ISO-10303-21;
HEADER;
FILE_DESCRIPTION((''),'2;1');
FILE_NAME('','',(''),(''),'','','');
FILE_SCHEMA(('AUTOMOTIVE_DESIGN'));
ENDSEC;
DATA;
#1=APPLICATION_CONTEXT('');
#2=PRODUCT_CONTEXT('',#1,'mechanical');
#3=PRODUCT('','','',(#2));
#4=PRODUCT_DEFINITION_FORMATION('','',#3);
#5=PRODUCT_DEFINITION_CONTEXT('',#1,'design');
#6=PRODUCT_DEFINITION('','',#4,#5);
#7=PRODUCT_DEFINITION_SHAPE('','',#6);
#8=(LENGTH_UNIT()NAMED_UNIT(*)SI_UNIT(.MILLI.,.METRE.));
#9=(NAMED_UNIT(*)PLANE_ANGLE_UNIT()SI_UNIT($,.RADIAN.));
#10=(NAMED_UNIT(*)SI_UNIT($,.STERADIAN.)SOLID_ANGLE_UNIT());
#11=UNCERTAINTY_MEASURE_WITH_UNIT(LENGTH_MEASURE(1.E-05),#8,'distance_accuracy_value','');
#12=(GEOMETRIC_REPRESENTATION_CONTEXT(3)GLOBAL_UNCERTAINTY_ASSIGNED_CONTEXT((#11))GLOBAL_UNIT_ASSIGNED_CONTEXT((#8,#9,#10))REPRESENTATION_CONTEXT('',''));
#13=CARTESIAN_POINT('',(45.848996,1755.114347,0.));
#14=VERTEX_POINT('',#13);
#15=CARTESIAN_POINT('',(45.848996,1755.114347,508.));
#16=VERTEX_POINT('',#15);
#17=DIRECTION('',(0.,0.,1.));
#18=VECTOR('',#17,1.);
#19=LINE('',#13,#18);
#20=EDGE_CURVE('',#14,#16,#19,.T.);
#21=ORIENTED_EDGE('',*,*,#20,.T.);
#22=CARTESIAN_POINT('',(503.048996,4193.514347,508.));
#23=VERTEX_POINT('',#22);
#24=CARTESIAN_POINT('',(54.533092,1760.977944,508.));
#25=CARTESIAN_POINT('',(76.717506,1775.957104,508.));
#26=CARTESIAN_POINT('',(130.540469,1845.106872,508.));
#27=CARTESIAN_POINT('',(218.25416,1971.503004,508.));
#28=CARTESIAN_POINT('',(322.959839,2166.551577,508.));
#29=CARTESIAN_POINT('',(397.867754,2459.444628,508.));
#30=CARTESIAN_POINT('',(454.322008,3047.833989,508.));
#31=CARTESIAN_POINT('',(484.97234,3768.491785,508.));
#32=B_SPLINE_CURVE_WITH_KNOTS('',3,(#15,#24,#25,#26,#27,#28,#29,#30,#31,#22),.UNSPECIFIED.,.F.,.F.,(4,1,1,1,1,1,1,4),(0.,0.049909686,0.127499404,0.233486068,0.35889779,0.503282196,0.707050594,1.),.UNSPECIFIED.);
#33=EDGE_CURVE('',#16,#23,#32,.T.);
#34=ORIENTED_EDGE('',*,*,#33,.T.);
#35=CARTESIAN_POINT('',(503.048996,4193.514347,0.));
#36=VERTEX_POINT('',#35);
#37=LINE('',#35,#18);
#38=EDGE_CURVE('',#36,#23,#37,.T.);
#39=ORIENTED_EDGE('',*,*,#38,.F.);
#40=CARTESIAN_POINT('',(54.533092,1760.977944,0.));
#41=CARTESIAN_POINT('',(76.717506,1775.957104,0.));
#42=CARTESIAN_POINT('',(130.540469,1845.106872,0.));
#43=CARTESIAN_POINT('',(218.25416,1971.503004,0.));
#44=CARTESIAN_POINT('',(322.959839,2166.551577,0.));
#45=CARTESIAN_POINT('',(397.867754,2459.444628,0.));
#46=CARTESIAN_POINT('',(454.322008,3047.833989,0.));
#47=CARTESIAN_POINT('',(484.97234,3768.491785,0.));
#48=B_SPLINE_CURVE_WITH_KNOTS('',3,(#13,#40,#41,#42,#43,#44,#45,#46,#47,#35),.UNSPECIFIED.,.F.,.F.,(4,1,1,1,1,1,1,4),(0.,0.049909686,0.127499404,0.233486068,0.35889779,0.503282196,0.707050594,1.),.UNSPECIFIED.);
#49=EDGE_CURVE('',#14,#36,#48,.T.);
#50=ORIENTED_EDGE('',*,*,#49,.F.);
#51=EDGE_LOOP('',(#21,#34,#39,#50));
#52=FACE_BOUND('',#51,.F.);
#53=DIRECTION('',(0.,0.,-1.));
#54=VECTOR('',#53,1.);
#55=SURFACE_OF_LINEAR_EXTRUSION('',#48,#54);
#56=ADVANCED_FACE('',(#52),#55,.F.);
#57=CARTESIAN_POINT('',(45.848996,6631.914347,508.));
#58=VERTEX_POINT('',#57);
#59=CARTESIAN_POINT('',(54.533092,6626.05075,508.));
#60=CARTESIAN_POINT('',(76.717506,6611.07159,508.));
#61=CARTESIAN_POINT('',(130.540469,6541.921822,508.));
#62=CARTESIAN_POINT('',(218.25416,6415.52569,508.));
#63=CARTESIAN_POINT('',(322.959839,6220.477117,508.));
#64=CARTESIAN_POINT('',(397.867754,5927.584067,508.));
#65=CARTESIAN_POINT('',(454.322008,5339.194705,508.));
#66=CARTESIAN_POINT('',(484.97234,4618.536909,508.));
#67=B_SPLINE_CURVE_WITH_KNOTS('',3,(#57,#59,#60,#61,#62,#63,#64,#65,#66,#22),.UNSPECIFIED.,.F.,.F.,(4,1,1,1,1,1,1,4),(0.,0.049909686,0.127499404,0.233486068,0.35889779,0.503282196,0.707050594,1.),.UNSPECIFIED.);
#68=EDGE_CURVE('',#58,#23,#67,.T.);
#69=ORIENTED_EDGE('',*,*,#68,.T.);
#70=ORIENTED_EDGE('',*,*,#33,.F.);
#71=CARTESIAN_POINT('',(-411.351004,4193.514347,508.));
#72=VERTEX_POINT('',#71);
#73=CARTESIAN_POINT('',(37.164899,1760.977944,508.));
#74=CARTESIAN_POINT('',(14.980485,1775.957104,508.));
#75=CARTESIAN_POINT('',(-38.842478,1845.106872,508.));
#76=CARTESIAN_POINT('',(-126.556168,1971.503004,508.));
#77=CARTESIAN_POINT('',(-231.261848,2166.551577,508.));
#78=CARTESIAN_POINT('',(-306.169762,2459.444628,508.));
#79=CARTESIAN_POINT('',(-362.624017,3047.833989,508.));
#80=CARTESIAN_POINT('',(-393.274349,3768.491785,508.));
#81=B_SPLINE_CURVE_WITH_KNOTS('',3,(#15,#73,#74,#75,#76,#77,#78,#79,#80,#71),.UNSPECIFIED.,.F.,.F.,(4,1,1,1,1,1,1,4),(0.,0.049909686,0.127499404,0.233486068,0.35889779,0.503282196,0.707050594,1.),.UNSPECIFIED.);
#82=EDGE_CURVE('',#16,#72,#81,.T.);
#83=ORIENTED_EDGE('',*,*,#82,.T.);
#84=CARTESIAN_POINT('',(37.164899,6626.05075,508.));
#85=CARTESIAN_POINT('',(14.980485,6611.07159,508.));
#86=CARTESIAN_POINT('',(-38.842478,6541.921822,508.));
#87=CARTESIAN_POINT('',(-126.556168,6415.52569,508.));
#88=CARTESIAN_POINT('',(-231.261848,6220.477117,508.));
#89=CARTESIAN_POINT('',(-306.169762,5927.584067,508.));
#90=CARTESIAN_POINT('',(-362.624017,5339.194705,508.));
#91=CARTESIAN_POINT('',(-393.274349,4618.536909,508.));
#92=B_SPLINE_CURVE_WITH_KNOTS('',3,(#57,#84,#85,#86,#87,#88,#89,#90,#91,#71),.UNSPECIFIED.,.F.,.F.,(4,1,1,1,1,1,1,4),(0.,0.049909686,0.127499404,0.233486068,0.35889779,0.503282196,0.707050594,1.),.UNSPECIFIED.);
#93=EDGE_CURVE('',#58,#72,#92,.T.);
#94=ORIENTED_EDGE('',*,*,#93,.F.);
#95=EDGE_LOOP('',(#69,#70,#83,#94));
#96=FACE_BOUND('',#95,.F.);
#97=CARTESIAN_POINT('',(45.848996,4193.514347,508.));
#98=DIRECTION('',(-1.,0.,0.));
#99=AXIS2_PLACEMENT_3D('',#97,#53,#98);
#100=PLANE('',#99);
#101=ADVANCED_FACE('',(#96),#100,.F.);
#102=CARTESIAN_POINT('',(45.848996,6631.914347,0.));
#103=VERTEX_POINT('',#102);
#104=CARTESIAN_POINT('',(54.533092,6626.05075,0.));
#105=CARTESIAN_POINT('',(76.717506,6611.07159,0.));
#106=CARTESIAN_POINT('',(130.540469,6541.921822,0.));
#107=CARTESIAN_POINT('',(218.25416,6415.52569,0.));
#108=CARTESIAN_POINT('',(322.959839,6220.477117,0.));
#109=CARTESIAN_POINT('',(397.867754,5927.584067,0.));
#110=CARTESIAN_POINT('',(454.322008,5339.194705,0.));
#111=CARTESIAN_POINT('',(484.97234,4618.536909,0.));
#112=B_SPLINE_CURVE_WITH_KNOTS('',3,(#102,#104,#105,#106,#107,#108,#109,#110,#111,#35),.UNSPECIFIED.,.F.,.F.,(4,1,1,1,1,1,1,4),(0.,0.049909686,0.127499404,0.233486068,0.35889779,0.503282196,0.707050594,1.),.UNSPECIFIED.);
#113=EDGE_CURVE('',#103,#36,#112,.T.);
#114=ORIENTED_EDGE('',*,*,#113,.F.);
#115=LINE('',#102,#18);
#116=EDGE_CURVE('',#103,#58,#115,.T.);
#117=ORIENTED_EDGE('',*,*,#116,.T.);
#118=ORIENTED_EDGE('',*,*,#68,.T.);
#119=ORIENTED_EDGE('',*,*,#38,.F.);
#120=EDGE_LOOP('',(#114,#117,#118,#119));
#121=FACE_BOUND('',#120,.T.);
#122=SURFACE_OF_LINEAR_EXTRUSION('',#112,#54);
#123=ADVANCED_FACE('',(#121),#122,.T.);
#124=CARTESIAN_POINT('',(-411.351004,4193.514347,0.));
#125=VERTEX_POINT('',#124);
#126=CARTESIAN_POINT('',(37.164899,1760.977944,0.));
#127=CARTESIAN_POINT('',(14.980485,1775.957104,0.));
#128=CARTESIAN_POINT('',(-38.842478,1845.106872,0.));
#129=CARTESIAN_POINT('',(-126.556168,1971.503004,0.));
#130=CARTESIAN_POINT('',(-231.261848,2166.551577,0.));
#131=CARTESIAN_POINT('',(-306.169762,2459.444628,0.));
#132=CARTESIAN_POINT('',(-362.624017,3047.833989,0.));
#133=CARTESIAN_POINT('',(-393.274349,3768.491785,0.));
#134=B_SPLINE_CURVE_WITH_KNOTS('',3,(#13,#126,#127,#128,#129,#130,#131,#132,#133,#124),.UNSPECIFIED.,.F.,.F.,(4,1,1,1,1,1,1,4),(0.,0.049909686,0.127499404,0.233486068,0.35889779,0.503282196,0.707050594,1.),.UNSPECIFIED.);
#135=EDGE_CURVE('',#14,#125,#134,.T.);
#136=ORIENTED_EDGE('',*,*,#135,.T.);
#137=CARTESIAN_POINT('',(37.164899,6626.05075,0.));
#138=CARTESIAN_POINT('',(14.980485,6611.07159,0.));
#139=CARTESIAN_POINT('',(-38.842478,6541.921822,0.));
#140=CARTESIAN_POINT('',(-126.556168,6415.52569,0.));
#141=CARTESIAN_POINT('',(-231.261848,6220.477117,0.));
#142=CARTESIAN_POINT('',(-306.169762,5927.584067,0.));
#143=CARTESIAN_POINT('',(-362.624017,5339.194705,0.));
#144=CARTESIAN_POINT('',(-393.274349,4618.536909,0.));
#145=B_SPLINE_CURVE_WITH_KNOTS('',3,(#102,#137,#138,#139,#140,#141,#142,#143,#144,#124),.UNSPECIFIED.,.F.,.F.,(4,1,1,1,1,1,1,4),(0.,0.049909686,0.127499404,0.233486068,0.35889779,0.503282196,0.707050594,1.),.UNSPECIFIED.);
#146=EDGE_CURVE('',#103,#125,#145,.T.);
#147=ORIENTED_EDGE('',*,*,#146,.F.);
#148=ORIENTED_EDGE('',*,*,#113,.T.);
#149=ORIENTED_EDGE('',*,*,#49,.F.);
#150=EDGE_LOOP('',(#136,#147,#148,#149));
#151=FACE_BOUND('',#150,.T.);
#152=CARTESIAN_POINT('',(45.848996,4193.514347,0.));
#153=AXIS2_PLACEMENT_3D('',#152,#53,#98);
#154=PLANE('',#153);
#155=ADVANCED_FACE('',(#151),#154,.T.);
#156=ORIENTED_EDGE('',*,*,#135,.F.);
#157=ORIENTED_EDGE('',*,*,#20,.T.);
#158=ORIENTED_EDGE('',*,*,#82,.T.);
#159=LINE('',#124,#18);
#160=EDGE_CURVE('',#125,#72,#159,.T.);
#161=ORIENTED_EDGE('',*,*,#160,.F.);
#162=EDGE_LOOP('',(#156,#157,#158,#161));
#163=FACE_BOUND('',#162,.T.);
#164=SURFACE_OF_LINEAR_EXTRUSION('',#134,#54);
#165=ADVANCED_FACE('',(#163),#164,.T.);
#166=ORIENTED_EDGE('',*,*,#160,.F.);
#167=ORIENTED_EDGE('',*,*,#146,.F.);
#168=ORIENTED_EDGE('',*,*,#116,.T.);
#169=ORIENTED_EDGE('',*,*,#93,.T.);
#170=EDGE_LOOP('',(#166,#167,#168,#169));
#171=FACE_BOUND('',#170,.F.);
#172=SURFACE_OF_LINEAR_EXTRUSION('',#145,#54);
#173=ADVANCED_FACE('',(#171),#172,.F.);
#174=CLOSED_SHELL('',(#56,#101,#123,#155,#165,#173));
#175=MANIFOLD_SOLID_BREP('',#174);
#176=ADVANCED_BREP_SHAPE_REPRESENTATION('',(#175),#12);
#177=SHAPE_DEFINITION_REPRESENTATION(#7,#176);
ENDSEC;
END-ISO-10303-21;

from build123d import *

# Parameters (mm, degrees)
F1_DEPTH = 508


with BuildPart() as f1:
    # F0 (on Top) → F1 (new body)
    with BuildSketch(Plane.XY):
        with BuildLine():
            add(Edge.make_bspline(
                [(45.8489955951, 6631.9143470764), (54.5330922301, 6626.050749809), (76.7175061698, 6611.0715902689), (130.5404693293, 6541.9218219737), (218.2541596105, 6415.5256902784), (322.9598386957, 6220.4771171922), (397.8677535598, 5927.5840665674), (454.3220083661, 5339.1947052417), (484.972340268, 4618.5369090549), (503.0489955951, 4193.5143470764)],
                knots=[0, 0, 0, 0, 0.0499096863, 0.1274994036, 0.2334860676, 0.3588977899, 0.5032821963, 0.7070505937, 1, 1, 1, 1], degree=3))
            add(Edge.make_bspline(
                [(45.8489955951, 6631.9143470764), (37.1648989601, 6626.050749809), (14.9804850204, 6611.0715902689), (-38.8424781392, 6541.9218219737), (-126.5561684204, 6415.5256902784), (-231.2618475055, 6220.4771171922), (-306.1697623696, 5927.5840665674), (-362.624017176, 5339.1947052417), (-393.2743490778, 4618.5369090549), (-411.3510044049, 4193.5143470764)],
                knots=[0, 0, 0, 0, 0.0499096863, 0.1274994036, 0.2334860676, 0.3588977899, 0.5032821963, 0.7070505937, 1, 1, 1, 1], degree=3))
            add(Edge.make_bspline(
                [(45.8489955951, 1755.1143470764), (37.1648989601, 1760.9779443439), (14.9804850204, 1775.957103884), (-38.8424781392, 1845.1068721792), (-126.5561684204, 1971.5030038744), (-231.2618475055, 2166.5515769607), (-306.1697623696, 2459.4446275854), (-362.624017176, 3047.8339889111), (-393.2743490778, 3768.4917850979), (-411.3510044049, 4193.5143470764)],
                knots=[0, 0, 0, 0, 0.0499096863, 0.1274994036, 0.2334860676, 0.3588977899, 0.5032821963, 0.7070505937, 1, 1, 1, 1], degree=3))
            add(Edge.make_bspline(
                [(45.8489955951, 1755.1143470764), (54.5330922301, 1760.9779443439), (76.7175061698, 1775.957103884), (130.5404693293, 1845.1068721792), (218.2541596105, 1971.5030038744), (322.9598386957, 2166.5515769607), (397.8677535598, 2459.4446275854), (454.3220083661, 3047.8339889111), (484.972340268, 3768.4917850979), (503.0489955951, 4193.5143470764)],
                knots=[0, 0, 0, 0, 0.0499096863, 0.1274994036, 0.2334860676, 0.3588977899, 0.5032821963, 0.7070505937, 1, 1, 1, 1], degree=3))
        make_face()
    extrude(amount=F1_DEPTH)


solid = f1.part
